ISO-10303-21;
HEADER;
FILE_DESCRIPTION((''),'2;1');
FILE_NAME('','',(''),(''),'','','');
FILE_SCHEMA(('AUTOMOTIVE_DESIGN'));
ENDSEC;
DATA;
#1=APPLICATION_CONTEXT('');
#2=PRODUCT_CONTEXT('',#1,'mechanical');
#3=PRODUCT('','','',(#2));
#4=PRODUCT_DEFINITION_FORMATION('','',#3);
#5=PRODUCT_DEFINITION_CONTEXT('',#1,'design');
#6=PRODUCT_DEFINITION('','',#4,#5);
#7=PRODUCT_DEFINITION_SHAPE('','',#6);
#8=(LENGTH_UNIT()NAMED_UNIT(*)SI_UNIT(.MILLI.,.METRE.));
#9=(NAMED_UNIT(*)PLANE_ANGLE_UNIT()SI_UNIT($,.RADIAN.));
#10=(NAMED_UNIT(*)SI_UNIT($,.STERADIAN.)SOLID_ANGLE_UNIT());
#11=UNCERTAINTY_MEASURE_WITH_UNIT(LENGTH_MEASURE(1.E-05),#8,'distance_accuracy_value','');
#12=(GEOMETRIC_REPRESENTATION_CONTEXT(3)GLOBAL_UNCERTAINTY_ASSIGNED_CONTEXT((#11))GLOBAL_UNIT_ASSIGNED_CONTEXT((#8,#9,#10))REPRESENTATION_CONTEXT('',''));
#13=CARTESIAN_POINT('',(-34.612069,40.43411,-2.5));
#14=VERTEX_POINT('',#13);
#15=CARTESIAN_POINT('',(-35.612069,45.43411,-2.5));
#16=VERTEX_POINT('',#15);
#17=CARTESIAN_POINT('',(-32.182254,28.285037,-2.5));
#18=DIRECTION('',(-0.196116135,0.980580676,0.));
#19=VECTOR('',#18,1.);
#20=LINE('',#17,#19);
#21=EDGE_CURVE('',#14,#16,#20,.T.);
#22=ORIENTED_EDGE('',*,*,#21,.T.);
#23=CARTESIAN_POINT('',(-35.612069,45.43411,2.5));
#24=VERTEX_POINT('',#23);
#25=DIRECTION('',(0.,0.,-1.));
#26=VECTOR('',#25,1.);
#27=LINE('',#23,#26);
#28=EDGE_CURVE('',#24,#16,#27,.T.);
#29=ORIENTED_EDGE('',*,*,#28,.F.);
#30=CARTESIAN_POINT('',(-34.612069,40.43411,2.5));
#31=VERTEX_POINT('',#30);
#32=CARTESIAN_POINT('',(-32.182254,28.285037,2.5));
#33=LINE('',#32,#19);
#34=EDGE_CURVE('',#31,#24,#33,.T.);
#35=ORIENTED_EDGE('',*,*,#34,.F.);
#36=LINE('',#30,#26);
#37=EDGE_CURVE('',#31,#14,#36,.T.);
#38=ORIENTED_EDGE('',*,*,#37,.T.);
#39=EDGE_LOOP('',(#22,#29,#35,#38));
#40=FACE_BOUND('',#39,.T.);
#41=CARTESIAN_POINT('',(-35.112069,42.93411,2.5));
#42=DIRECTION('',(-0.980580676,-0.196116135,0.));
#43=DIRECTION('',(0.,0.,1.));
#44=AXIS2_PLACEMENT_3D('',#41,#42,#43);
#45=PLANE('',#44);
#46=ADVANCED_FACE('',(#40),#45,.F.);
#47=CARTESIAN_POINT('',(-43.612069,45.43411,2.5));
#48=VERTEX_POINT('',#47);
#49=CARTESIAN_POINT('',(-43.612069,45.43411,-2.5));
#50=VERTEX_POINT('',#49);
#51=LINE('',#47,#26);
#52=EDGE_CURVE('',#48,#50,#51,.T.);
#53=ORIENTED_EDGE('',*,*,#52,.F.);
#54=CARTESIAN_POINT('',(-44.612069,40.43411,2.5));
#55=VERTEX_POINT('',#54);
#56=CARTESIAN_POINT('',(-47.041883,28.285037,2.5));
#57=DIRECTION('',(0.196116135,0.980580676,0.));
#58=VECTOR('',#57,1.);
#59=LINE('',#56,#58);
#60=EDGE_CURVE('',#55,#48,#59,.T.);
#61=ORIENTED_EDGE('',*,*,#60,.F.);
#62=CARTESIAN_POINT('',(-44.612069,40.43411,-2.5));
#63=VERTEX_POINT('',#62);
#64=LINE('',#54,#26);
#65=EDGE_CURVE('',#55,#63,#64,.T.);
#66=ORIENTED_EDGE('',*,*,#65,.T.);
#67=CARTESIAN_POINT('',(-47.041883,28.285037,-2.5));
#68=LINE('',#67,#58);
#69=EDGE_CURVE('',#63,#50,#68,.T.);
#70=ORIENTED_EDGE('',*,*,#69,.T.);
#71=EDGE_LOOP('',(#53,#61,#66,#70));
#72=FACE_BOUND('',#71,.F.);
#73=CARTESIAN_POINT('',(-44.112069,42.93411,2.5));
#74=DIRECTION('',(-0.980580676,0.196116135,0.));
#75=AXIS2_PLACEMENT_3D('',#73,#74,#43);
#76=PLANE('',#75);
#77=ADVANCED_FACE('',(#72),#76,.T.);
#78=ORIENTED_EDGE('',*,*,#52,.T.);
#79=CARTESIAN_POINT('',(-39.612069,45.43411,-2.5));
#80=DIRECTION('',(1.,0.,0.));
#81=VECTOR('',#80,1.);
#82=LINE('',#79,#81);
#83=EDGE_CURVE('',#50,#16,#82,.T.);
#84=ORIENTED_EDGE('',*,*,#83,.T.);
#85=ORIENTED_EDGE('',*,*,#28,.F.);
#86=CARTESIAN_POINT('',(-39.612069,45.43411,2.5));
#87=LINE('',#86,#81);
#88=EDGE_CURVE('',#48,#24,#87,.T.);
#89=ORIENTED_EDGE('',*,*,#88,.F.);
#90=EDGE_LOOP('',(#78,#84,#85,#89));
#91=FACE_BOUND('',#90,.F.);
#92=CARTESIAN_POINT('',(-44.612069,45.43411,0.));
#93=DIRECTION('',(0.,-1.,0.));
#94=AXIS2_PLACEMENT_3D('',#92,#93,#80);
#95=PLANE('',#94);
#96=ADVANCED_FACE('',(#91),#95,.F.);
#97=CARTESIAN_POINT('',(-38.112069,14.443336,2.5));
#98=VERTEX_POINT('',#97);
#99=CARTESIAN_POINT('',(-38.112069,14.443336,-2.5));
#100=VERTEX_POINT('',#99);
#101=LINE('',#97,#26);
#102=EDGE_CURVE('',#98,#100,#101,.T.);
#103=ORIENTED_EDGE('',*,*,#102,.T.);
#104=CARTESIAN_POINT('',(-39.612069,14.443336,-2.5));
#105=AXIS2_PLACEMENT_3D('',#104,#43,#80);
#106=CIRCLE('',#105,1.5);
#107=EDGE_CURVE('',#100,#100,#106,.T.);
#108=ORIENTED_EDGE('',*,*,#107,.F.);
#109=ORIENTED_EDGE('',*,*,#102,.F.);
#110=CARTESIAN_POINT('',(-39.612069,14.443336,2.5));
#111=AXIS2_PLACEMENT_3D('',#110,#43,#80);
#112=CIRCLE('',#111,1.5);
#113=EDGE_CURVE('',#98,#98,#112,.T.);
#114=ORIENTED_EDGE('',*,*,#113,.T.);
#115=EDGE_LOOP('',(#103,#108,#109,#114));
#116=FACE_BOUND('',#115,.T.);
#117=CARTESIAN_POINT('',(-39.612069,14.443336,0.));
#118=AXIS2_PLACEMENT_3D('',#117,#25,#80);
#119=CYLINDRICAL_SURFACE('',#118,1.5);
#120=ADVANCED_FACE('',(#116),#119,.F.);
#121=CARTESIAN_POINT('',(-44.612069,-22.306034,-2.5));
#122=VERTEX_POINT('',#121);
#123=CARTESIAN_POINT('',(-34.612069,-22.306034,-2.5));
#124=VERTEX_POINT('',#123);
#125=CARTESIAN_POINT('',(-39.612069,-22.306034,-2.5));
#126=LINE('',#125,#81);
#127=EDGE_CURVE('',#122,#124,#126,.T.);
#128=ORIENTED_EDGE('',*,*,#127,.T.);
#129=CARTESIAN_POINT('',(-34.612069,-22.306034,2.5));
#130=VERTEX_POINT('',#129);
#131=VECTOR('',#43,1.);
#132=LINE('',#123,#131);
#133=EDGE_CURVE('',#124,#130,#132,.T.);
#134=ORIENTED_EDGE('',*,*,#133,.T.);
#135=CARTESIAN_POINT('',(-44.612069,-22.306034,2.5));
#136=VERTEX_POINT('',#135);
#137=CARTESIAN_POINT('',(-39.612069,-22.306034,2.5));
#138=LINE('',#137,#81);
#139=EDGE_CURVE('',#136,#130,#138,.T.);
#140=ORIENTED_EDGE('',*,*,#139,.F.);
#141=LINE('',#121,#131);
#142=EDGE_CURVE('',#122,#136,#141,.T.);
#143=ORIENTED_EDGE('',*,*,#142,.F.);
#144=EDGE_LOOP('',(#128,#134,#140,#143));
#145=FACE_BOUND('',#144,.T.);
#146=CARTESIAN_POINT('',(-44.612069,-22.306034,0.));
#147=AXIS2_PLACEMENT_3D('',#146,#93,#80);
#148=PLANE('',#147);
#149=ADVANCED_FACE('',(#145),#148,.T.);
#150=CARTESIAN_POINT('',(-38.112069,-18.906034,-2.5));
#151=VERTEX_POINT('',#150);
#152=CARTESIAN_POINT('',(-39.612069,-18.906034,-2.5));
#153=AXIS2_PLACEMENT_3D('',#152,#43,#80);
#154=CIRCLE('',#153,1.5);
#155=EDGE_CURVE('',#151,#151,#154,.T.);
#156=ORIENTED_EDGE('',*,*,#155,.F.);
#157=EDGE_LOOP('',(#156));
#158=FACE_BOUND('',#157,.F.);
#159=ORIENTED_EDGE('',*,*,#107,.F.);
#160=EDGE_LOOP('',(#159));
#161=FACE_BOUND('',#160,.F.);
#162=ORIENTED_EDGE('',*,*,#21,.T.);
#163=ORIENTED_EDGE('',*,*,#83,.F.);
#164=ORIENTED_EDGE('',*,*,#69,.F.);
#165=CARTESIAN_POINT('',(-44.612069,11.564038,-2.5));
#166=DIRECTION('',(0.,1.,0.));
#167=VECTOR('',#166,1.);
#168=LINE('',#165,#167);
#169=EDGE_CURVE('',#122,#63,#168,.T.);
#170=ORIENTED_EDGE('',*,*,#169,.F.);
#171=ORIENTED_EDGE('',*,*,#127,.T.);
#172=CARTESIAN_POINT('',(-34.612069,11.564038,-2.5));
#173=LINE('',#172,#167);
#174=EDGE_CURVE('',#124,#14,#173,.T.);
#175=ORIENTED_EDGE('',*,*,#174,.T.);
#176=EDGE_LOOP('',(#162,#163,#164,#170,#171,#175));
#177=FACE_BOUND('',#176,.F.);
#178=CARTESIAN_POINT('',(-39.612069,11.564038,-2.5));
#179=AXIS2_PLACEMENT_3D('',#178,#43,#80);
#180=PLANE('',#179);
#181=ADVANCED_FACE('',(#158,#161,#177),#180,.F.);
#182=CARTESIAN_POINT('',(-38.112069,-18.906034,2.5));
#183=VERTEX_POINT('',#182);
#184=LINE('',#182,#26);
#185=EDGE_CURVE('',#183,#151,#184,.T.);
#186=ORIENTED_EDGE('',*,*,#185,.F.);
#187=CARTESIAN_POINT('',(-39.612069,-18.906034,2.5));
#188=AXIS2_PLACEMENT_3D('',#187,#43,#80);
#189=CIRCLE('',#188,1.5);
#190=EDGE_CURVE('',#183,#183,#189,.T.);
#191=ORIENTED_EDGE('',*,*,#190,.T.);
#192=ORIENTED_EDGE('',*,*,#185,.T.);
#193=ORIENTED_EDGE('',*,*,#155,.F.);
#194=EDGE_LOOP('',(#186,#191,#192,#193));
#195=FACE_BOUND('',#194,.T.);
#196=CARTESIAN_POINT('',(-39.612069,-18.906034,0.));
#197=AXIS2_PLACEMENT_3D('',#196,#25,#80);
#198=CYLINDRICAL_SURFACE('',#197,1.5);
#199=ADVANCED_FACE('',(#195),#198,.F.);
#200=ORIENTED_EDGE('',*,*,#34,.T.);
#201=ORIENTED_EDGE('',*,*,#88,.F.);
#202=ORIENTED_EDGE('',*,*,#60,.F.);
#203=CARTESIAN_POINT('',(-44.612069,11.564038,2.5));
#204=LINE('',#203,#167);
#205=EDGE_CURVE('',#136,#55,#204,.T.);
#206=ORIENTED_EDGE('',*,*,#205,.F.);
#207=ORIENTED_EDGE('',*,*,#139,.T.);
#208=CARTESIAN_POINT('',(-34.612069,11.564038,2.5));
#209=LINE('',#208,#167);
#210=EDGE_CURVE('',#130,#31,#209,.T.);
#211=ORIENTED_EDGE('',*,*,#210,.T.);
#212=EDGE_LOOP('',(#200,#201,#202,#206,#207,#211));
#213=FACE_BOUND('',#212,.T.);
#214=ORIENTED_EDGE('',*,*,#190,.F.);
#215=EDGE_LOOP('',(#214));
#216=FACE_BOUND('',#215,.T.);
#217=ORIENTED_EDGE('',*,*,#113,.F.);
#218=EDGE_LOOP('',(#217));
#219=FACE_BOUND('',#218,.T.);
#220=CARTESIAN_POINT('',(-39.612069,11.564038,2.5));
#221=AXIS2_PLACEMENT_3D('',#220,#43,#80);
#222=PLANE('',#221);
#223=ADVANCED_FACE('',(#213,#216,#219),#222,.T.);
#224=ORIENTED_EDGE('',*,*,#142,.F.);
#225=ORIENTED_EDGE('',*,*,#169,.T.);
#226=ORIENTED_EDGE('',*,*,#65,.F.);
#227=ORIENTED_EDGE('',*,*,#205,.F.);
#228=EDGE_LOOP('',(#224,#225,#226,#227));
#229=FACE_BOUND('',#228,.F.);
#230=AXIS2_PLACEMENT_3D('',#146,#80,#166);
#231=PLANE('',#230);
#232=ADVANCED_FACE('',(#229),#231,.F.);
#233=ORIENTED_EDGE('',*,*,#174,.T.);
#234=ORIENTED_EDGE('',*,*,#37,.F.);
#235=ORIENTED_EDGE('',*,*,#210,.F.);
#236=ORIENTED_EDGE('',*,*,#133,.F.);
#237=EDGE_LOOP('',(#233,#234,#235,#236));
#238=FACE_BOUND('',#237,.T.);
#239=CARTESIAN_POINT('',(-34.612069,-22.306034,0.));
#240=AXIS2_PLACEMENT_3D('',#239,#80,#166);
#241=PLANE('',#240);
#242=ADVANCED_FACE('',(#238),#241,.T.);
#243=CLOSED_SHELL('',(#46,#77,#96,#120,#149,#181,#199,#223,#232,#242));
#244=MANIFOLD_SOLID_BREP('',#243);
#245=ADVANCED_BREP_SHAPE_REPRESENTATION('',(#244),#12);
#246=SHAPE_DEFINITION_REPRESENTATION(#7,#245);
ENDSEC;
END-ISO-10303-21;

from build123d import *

# Parameters (mm, degrees)
F0_W       = 10
F0_H       = 67.7401442081
F0_R       = 1.5
F1_DEPTH   = 2.5
F2_SIZE2   = 1
F2_SIZE    = 5
F2_2_SIZE2 = 1
F2_2_SIZE  = 5


with BuildPart() as f1:
    # F0 (on Top) → F1 (new body, symmetric)
    with BuildSketch(Plane.XY):
        with Locations((-39.6120686829, 11.5640377626)):
            Rectangle(F0_W, F0_H)
        with Locations((-39.6120686829, -18.9060343415)):
            Circle(F0_R, mode=Mode.SUBTRACT)
        with Locations((-39.6120686829, 14.4433356585)):
            Circle(F0_R, mode=Mode.SUBTRACT)
    extrude(amount=F1_DEPTH, both=True)

    # F2
    f2_edges = [f1.edges().sort_by_distance(p)[0] for p in [
        (-44.612069, 45.43411, 0),
    ]]
    f2_side = f1.faces().sort_by_distance((-44.612069, 11.564038, 0))[0]
    chamfer(f2_edges, length=F2_SIZE, length2=F2_SIZE2, reference=f2_side)

    # F2#2
    f2_2_edges = [f1.edges().sort_by_distance(p)[0] for p in [
        (-34.612069, 45.43411, 0),
    ]]
    f2_2_side = f1.faces().sort_by_distance((-34.612069, 11.564038, 0))[0]
    chamfer(f2_2_edges, length=F2_2_SIZE, length2=F2_2_SIZE2, reference=f2_2_side)


solid = f1.part
